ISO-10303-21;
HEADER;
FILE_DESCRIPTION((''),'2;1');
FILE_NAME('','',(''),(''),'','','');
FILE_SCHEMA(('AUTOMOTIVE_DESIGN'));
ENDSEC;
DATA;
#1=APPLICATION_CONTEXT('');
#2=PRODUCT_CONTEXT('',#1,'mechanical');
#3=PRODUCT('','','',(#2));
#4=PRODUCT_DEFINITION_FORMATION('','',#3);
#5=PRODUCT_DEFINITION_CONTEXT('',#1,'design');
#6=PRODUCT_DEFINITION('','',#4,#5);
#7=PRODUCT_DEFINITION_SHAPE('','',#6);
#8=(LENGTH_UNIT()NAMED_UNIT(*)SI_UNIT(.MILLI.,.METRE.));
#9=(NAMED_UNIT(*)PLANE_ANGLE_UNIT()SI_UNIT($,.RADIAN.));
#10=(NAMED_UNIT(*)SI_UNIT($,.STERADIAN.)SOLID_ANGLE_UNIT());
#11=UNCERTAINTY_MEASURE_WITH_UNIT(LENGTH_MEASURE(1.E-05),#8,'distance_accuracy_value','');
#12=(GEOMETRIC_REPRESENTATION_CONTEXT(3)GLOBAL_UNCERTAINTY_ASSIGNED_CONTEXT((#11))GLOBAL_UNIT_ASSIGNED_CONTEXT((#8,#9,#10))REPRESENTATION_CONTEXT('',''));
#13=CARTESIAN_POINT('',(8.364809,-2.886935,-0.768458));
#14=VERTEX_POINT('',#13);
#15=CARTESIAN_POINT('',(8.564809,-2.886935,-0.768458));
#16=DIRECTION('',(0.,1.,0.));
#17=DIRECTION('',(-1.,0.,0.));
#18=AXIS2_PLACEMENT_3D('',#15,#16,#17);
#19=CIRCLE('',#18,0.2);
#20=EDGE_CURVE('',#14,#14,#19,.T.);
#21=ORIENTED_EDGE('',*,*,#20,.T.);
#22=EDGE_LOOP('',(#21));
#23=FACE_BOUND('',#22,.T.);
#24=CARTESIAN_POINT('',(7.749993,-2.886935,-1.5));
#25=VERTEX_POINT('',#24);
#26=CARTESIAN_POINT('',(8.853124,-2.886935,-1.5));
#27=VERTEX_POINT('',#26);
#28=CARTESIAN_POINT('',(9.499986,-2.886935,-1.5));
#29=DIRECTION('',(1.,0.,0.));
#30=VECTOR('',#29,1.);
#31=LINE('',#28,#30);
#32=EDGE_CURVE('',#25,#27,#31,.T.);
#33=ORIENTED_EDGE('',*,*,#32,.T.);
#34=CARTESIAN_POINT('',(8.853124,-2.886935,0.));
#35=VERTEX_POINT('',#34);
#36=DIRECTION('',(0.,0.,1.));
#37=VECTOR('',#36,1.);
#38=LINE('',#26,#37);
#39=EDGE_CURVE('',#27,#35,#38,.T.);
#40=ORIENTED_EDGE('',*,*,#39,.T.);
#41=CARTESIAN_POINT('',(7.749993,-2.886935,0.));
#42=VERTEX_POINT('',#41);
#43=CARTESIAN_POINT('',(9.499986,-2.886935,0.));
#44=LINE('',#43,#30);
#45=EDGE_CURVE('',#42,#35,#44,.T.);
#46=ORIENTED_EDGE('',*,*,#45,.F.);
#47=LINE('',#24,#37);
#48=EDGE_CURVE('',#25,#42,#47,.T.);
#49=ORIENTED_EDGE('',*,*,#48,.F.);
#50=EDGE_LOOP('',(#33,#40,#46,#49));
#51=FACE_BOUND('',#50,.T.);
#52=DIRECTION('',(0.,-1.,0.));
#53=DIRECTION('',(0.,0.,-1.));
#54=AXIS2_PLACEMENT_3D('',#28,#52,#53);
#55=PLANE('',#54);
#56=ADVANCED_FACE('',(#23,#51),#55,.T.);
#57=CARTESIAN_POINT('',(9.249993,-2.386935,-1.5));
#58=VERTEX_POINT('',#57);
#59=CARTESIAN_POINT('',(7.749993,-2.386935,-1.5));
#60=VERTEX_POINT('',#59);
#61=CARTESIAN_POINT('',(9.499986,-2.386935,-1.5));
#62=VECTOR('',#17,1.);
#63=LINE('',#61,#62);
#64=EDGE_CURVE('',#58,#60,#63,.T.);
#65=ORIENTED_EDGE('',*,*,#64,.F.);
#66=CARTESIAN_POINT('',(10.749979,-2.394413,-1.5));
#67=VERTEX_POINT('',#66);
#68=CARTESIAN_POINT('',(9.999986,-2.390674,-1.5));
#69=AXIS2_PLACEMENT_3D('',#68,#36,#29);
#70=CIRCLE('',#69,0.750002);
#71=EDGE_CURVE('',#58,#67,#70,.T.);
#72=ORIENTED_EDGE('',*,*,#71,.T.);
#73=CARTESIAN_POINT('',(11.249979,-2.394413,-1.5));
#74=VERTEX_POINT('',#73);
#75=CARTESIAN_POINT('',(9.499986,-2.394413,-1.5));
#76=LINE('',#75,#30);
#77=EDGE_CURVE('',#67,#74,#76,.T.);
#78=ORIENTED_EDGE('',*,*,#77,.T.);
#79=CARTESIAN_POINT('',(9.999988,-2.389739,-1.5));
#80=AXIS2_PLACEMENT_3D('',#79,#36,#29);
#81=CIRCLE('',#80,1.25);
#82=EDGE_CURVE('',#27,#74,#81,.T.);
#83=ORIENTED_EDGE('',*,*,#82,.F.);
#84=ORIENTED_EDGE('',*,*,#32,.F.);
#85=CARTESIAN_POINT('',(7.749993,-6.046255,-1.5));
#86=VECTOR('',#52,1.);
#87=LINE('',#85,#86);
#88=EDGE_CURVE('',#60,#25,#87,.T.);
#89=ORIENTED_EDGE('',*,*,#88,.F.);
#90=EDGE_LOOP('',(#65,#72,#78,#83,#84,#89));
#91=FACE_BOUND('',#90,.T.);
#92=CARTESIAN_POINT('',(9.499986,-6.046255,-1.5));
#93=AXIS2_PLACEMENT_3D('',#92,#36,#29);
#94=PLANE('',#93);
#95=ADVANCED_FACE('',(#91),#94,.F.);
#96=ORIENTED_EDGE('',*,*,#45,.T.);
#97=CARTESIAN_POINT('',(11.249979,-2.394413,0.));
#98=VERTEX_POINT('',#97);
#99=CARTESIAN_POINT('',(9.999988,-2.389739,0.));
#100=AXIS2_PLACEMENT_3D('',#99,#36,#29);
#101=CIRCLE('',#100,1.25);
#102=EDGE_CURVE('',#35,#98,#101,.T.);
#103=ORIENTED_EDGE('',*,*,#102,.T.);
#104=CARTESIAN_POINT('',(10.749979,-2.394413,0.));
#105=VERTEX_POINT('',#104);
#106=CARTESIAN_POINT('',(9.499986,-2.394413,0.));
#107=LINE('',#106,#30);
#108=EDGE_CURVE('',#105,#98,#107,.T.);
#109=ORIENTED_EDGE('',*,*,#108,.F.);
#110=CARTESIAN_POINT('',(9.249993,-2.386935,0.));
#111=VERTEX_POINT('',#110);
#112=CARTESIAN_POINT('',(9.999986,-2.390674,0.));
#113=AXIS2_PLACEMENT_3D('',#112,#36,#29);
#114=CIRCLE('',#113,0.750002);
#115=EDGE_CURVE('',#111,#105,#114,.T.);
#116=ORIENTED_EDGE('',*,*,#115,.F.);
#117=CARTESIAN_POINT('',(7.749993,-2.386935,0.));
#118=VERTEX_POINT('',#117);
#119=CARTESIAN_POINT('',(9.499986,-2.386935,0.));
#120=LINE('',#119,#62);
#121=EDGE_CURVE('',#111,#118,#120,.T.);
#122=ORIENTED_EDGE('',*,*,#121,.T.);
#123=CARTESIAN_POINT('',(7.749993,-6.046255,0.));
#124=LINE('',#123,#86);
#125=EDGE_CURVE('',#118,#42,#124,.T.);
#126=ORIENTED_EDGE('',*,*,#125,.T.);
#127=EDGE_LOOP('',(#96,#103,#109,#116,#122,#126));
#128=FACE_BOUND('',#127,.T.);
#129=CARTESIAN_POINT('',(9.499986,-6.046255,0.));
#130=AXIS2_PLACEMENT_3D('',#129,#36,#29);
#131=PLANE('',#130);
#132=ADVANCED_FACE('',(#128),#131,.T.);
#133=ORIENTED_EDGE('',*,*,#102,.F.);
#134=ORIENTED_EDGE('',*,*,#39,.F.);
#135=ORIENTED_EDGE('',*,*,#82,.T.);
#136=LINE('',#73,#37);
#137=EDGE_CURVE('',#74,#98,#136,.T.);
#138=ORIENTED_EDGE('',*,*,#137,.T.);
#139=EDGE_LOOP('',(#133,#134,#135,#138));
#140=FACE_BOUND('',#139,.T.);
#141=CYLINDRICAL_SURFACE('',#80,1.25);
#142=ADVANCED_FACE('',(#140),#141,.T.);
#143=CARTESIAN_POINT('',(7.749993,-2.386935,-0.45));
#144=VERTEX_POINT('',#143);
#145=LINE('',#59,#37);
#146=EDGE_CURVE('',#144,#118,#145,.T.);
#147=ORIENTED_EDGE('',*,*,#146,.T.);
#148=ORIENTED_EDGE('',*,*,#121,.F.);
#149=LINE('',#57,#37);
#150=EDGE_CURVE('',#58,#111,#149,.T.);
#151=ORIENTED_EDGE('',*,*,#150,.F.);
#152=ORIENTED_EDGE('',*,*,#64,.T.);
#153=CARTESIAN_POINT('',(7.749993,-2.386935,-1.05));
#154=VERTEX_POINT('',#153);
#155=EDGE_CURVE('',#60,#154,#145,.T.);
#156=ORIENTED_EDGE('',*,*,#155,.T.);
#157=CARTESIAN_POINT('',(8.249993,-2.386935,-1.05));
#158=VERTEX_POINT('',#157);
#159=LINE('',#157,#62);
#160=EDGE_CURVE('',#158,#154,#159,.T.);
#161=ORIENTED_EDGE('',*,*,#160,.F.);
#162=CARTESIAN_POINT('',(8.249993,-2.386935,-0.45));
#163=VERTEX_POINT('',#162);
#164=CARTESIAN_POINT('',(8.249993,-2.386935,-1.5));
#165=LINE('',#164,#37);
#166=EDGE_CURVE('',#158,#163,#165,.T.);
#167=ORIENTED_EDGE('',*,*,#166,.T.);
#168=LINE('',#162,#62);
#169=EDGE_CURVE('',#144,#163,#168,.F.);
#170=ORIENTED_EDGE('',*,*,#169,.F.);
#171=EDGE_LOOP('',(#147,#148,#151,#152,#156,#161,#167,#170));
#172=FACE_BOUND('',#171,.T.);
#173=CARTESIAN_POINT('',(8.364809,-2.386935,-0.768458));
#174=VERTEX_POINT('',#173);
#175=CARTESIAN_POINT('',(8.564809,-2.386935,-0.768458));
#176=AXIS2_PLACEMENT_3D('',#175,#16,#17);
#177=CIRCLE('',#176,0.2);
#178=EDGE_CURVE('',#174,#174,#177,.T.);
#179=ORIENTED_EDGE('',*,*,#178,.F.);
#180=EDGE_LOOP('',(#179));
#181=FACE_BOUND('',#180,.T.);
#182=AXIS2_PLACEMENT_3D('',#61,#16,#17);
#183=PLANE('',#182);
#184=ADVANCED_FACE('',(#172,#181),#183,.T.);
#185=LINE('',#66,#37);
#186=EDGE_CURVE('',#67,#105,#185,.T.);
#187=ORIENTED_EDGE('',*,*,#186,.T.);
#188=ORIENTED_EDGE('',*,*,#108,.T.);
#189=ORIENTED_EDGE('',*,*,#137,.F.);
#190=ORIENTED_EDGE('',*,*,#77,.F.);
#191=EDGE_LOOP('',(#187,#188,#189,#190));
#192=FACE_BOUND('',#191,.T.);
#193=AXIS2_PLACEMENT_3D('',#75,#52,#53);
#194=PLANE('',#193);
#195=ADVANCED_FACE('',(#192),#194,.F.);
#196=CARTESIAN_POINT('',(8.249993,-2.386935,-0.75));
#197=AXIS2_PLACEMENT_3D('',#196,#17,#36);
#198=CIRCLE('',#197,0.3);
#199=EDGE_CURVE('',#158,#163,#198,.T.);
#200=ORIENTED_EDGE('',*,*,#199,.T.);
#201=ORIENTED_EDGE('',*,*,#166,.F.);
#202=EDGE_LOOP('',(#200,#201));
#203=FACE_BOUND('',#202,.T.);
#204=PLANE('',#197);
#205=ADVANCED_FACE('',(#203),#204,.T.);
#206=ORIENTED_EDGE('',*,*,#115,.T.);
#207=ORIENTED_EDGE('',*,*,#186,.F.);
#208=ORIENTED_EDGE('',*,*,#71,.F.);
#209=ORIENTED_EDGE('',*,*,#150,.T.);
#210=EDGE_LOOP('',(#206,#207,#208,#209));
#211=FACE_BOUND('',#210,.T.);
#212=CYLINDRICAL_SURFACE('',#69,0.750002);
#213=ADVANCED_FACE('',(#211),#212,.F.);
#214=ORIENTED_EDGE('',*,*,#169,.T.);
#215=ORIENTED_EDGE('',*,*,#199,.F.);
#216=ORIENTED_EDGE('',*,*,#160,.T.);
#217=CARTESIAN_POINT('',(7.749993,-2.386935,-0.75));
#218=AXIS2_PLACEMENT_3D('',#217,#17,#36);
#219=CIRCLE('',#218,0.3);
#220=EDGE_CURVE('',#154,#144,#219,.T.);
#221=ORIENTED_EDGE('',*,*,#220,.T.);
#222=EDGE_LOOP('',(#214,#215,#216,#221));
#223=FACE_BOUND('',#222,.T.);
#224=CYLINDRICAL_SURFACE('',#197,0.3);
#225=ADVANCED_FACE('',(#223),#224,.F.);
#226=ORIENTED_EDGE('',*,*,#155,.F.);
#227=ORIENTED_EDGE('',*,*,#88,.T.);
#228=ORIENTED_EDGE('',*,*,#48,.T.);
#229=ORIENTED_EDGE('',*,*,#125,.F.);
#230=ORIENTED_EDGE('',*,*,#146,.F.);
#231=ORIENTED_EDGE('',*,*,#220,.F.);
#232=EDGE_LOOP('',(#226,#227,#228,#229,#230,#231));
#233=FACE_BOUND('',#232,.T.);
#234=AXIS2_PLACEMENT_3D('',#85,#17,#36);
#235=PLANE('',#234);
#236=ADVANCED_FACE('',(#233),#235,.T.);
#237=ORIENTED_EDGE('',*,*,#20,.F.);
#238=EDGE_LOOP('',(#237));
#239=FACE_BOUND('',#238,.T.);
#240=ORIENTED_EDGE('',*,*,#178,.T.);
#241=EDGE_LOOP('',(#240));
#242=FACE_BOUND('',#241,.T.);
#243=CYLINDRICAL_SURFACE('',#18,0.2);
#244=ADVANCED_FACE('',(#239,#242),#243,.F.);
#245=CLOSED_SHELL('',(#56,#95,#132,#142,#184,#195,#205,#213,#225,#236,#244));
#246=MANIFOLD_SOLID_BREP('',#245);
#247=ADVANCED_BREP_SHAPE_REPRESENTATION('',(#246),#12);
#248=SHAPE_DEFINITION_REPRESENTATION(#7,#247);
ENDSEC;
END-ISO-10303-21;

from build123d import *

# Parameters (mm, degrees)
EXTRUDE_1_DEPTH     = 1.5
SKETCH_3_R          = 0.3
CUT_EXTRUDE_1_DEPTH = 0.5
SKETCH_4_R          = 0.2
CUT_EXTRUDE_2_DEPTH = 0.5


with BuildPart() as part:
    # 草图2 → 凸台-拉伸1 (new body)
    with BuildSketch(Plane.XY):
        with BuildLine():
            Line((9.249993009, -2.386934839), (7.749993009, -2.386934839))
            Line((7.749993009, -2.386934839), (7.749993009, -2.886934839))
            Line((7.749993009, -2.886934839), (8.853123955, -2.886934839))
            ThreePointArc((8.853123955, -2.886934839), (10.251588952, -3.614156243), (11.249979027, -2.394413411))
            Line((11.249979027, -2.394413411), (10.749979027, -2.394413411))
            ThreePointArc((10.749979027, -2.394413411), (9.996246732, -3.140667133), (9.249993009, -2.386934839))
        make_face()
    extrude(amount=-EXTRUDE_1_DEPTH)

    # 草图3 → 切除-拉伸1 (cut)
    with BuildSketch(Plane.ZY.offset(-7.749993009)):
        with Locations((-0.75, -2.386934839)):
            Circle(SKETCH_3_R)
    extrude(amount=-CUT_EXTRUDE_1_DEPTH, mode=Mode.SUBTRACT)

    # 草图4 → 切除-拉伸2 (cut)
    with BuildSketch(Plane(origin=(0, -2.386934839, 0), x_dir=(1, 0, 0), z_dir=(0, 1, 0))):
        with Locations((8.564809318, 0.768458185)):
            Circle(SKETCH_4_R)
    extrude(amount=-CUT_EXTRUDE_2_DEPTH, mode=Mode.SUBTRACT)


solid = part.part
